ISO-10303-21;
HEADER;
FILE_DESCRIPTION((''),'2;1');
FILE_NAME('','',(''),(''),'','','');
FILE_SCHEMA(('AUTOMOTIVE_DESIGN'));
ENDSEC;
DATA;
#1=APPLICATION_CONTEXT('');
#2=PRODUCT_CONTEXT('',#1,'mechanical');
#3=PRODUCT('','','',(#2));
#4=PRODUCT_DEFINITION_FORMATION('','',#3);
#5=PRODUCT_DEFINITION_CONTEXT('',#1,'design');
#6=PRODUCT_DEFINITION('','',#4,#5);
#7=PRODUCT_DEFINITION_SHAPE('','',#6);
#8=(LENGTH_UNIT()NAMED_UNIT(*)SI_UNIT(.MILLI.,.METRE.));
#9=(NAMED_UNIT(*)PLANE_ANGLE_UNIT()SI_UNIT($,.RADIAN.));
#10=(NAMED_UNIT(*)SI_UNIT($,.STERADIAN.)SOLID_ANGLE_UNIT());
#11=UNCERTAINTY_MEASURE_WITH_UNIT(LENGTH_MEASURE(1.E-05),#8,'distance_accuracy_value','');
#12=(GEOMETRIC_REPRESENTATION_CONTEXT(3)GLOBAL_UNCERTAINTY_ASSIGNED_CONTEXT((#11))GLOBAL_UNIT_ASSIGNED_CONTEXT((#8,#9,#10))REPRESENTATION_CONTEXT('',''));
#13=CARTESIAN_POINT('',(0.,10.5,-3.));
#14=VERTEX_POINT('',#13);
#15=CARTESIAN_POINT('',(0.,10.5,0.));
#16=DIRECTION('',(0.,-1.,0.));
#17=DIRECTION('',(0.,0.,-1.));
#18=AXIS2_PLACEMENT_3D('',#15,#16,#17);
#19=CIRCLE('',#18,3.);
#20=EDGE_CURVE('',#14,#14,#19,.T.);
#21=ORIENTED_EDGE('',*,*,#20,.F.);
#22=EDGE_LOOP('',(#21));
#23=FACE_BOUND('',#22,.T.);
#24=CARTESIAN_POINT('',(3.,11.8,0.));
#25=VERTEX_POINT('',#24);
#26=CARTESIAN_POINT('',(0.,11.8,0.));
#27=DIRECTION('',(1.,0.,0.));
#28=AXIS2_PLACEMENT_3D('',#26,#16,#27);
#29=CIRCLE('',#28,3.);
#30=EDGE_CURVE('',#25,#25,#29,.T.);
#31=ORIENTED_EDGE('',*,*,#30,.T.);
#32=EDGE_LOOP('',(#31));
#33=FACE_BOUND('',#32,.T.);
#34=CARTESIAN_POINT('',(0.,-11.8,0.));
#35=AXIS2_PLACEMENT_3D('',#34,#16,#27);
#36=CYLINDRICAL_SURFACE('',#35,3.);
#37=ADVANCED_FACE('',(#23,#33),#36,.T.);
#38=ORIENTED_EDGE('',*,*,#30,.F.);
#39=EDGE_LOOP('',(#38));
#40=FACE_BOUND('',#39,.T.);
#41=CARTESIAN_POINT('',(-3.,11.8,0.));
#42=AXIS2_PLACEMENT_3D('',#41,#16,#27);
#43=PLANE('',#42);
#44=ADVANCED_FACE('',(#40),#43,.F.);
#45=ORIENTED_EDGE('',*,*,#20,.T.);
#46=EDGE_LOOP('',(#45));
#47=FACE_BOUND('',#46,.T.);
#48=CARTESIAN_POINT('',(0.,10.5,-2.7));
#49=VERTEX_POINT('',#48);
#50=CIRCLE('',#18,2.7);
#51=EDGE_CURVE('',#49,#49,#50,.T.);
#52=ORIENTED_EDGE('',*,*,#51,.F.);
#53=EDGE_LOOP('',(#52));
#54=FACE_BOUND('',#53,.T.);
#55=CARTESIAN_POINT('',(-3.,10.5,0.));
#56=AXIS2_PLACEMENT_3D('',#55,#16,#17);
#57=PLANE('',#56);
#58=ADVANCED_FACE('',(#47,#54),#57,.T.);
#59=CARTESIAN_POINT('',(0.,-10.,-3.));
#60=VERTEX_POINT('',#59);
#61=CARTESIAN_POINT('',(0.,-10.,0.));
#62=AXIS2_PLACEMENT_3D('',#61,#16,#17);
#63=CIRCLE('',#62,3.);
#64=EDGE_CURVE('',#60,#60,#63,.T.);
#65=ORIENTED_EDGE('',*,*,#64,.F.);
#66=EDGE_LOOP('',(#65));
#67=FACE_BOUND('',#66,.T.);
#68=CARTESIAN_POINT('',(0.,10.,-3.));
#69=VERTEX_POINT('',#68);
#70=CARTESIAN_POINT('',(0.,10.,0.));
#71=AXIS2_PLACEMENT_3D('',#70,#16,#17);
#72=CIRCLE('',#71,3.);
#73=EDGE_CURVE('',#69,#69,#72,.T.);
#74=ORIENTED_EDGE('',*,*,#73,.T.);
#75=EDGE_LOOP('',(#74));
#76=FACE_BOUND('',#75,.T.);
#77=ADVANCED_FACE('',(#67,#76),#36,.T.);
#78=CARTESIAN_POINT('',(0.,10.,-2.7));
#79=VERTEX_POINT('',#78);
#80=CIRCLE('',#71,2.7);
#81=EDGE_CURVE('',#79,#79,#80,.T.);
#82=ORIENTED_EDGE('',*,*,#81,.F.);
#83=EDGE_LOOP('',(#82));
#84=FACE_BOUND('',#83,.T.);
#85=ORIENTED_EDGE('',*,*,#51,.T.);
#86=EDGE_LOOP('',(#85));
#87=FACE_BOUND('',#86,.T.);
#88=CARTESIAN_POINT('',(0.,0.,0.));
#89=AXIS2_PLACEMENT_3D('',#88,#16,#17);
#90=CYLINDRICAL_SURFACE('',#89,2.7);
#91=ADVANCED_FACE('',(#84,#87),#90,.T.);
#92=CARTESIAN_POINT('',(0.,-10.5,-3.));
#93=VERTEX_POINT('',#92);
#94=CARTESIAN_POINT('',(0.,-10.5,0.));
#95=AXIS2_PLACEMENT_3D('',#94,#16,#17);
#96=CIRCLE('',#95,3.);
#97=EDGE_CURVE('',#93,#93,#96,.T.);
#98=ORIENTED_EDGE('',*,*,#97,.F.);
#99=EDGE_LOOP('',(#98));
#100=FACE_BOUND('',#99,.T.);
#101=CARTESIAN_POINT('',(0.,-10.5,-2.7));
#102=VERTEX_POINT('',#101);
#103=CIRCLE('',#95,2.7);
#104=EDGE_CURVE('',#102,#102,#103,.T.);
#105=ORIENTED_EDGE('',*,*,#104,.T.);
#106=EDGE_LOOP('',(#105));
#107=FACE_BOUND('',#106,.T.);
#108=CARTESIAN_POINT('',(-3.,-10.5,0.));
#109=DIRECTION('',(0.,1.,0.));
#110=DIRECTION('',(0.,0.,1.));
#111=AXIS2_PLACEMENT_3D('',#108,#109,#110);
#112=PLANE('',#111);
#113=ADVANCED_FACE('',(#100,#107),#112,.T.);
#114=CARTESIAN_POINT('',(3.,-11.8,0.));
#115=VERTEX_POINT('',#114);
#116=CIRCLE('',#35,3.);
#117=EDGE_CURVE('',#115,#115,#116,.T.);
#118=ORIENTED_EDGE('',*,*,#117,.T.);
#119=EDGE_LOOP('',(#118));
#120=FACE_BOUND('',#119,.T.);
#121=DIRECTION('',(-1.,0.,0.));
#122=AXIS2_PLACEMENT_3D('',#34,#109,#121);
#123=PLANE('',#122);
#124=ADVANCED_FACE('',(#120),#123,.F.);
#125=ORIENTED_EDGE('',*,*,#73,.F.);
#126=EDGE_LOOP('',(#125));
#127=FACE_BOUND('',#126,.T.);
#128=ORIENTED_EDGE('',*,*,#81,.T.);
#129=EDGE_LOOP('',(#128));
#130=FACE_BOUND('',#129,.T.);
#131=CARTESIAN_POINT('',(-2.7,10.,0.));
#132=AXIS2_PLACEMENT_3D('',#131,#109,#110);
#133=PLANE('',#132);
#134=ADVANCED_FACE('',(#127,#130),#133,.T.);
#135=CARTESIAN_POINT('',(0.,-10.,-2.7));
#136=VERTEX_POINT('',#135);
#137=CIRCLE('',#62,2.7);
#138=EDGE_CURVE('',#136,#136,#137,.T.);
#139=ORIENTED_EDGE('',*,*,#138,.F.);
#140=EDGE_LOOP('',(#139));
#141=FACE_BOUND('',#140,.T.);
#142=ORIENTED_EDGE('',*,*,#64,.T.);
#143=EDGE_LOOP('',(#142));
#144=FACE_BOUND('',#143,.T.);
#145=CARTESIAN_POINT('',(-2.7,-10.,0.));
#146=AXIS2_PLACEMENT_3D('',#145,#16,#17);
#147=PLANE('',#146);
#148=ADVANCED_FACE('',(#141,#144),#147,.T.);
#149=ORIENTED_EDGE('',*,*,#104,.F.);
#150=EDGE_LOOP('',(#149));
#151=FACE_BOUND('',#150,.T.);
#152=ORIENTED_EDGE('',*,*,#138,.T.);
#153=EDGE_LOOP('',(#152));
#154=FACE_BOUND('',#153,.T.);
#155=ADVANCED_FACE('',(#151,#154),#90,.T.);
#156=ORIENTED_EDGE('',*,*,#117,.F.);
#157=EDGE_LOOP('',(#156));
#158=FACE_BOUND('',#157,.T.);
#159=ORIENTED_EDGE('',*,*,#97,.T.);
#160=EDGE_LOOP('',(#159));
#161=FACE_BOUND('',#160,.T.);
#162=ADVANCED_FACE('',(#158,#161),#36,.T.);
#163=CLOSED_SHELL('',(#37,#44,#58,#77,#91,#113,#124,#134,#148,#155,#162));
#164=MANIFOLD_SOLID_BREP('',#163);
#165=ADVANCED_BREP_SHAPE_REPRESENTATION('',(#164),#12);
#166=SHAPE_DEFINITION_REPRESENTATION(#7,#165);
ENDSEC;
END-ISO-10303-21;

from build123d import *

# Parameters (mm, degrees)
ESBO_O1_W = 3
ESBO_O1_H = 23.6
ESBO_O2_W = 0.3
ESBO_O2_H = 0.5


with BuildPart() as part:
    # Esboço1 → Revolução1 (revolve)
    with BuildSketch(Plane.XY, mode=Mode.PRIVATE) as revolu_o1_sk:
        with Locations((-1.5, 0)):
            Rectangle(ESBO_O1_W, ESBO_O1_H)
    revolve(revolu_o1_sk.sketch.rotate(Axis((0, -11.8, 0), (0, 1, 0)), 180), axis=Axis((0, -11.8, 0), (0, 1, 0)))

    # Esboço2 → Corte-Revolução3 (revolve, cut)
    with BuildSketch(Plane.XY, mode=Mode.PRIVATE) as corte_revolu_o3_sk:
        with Locations((-2.85, -10.25)):
            Rectangle(ESBO_O2_W, ESBO_O2_H)
        with Locations((-2.85, 10.25)):
            Rectangle(ESBO_O2_W, ESBO_O2_H)
    revolve(corte_revolu_o3_sk.sketch.rotate(Axis((0, 0, 0), (0, 1, 0)), 270), axis=Axis((0, 0, 0), (0, 1, 0)), mode=Mode.SUBTRACT)


solid = part.part
